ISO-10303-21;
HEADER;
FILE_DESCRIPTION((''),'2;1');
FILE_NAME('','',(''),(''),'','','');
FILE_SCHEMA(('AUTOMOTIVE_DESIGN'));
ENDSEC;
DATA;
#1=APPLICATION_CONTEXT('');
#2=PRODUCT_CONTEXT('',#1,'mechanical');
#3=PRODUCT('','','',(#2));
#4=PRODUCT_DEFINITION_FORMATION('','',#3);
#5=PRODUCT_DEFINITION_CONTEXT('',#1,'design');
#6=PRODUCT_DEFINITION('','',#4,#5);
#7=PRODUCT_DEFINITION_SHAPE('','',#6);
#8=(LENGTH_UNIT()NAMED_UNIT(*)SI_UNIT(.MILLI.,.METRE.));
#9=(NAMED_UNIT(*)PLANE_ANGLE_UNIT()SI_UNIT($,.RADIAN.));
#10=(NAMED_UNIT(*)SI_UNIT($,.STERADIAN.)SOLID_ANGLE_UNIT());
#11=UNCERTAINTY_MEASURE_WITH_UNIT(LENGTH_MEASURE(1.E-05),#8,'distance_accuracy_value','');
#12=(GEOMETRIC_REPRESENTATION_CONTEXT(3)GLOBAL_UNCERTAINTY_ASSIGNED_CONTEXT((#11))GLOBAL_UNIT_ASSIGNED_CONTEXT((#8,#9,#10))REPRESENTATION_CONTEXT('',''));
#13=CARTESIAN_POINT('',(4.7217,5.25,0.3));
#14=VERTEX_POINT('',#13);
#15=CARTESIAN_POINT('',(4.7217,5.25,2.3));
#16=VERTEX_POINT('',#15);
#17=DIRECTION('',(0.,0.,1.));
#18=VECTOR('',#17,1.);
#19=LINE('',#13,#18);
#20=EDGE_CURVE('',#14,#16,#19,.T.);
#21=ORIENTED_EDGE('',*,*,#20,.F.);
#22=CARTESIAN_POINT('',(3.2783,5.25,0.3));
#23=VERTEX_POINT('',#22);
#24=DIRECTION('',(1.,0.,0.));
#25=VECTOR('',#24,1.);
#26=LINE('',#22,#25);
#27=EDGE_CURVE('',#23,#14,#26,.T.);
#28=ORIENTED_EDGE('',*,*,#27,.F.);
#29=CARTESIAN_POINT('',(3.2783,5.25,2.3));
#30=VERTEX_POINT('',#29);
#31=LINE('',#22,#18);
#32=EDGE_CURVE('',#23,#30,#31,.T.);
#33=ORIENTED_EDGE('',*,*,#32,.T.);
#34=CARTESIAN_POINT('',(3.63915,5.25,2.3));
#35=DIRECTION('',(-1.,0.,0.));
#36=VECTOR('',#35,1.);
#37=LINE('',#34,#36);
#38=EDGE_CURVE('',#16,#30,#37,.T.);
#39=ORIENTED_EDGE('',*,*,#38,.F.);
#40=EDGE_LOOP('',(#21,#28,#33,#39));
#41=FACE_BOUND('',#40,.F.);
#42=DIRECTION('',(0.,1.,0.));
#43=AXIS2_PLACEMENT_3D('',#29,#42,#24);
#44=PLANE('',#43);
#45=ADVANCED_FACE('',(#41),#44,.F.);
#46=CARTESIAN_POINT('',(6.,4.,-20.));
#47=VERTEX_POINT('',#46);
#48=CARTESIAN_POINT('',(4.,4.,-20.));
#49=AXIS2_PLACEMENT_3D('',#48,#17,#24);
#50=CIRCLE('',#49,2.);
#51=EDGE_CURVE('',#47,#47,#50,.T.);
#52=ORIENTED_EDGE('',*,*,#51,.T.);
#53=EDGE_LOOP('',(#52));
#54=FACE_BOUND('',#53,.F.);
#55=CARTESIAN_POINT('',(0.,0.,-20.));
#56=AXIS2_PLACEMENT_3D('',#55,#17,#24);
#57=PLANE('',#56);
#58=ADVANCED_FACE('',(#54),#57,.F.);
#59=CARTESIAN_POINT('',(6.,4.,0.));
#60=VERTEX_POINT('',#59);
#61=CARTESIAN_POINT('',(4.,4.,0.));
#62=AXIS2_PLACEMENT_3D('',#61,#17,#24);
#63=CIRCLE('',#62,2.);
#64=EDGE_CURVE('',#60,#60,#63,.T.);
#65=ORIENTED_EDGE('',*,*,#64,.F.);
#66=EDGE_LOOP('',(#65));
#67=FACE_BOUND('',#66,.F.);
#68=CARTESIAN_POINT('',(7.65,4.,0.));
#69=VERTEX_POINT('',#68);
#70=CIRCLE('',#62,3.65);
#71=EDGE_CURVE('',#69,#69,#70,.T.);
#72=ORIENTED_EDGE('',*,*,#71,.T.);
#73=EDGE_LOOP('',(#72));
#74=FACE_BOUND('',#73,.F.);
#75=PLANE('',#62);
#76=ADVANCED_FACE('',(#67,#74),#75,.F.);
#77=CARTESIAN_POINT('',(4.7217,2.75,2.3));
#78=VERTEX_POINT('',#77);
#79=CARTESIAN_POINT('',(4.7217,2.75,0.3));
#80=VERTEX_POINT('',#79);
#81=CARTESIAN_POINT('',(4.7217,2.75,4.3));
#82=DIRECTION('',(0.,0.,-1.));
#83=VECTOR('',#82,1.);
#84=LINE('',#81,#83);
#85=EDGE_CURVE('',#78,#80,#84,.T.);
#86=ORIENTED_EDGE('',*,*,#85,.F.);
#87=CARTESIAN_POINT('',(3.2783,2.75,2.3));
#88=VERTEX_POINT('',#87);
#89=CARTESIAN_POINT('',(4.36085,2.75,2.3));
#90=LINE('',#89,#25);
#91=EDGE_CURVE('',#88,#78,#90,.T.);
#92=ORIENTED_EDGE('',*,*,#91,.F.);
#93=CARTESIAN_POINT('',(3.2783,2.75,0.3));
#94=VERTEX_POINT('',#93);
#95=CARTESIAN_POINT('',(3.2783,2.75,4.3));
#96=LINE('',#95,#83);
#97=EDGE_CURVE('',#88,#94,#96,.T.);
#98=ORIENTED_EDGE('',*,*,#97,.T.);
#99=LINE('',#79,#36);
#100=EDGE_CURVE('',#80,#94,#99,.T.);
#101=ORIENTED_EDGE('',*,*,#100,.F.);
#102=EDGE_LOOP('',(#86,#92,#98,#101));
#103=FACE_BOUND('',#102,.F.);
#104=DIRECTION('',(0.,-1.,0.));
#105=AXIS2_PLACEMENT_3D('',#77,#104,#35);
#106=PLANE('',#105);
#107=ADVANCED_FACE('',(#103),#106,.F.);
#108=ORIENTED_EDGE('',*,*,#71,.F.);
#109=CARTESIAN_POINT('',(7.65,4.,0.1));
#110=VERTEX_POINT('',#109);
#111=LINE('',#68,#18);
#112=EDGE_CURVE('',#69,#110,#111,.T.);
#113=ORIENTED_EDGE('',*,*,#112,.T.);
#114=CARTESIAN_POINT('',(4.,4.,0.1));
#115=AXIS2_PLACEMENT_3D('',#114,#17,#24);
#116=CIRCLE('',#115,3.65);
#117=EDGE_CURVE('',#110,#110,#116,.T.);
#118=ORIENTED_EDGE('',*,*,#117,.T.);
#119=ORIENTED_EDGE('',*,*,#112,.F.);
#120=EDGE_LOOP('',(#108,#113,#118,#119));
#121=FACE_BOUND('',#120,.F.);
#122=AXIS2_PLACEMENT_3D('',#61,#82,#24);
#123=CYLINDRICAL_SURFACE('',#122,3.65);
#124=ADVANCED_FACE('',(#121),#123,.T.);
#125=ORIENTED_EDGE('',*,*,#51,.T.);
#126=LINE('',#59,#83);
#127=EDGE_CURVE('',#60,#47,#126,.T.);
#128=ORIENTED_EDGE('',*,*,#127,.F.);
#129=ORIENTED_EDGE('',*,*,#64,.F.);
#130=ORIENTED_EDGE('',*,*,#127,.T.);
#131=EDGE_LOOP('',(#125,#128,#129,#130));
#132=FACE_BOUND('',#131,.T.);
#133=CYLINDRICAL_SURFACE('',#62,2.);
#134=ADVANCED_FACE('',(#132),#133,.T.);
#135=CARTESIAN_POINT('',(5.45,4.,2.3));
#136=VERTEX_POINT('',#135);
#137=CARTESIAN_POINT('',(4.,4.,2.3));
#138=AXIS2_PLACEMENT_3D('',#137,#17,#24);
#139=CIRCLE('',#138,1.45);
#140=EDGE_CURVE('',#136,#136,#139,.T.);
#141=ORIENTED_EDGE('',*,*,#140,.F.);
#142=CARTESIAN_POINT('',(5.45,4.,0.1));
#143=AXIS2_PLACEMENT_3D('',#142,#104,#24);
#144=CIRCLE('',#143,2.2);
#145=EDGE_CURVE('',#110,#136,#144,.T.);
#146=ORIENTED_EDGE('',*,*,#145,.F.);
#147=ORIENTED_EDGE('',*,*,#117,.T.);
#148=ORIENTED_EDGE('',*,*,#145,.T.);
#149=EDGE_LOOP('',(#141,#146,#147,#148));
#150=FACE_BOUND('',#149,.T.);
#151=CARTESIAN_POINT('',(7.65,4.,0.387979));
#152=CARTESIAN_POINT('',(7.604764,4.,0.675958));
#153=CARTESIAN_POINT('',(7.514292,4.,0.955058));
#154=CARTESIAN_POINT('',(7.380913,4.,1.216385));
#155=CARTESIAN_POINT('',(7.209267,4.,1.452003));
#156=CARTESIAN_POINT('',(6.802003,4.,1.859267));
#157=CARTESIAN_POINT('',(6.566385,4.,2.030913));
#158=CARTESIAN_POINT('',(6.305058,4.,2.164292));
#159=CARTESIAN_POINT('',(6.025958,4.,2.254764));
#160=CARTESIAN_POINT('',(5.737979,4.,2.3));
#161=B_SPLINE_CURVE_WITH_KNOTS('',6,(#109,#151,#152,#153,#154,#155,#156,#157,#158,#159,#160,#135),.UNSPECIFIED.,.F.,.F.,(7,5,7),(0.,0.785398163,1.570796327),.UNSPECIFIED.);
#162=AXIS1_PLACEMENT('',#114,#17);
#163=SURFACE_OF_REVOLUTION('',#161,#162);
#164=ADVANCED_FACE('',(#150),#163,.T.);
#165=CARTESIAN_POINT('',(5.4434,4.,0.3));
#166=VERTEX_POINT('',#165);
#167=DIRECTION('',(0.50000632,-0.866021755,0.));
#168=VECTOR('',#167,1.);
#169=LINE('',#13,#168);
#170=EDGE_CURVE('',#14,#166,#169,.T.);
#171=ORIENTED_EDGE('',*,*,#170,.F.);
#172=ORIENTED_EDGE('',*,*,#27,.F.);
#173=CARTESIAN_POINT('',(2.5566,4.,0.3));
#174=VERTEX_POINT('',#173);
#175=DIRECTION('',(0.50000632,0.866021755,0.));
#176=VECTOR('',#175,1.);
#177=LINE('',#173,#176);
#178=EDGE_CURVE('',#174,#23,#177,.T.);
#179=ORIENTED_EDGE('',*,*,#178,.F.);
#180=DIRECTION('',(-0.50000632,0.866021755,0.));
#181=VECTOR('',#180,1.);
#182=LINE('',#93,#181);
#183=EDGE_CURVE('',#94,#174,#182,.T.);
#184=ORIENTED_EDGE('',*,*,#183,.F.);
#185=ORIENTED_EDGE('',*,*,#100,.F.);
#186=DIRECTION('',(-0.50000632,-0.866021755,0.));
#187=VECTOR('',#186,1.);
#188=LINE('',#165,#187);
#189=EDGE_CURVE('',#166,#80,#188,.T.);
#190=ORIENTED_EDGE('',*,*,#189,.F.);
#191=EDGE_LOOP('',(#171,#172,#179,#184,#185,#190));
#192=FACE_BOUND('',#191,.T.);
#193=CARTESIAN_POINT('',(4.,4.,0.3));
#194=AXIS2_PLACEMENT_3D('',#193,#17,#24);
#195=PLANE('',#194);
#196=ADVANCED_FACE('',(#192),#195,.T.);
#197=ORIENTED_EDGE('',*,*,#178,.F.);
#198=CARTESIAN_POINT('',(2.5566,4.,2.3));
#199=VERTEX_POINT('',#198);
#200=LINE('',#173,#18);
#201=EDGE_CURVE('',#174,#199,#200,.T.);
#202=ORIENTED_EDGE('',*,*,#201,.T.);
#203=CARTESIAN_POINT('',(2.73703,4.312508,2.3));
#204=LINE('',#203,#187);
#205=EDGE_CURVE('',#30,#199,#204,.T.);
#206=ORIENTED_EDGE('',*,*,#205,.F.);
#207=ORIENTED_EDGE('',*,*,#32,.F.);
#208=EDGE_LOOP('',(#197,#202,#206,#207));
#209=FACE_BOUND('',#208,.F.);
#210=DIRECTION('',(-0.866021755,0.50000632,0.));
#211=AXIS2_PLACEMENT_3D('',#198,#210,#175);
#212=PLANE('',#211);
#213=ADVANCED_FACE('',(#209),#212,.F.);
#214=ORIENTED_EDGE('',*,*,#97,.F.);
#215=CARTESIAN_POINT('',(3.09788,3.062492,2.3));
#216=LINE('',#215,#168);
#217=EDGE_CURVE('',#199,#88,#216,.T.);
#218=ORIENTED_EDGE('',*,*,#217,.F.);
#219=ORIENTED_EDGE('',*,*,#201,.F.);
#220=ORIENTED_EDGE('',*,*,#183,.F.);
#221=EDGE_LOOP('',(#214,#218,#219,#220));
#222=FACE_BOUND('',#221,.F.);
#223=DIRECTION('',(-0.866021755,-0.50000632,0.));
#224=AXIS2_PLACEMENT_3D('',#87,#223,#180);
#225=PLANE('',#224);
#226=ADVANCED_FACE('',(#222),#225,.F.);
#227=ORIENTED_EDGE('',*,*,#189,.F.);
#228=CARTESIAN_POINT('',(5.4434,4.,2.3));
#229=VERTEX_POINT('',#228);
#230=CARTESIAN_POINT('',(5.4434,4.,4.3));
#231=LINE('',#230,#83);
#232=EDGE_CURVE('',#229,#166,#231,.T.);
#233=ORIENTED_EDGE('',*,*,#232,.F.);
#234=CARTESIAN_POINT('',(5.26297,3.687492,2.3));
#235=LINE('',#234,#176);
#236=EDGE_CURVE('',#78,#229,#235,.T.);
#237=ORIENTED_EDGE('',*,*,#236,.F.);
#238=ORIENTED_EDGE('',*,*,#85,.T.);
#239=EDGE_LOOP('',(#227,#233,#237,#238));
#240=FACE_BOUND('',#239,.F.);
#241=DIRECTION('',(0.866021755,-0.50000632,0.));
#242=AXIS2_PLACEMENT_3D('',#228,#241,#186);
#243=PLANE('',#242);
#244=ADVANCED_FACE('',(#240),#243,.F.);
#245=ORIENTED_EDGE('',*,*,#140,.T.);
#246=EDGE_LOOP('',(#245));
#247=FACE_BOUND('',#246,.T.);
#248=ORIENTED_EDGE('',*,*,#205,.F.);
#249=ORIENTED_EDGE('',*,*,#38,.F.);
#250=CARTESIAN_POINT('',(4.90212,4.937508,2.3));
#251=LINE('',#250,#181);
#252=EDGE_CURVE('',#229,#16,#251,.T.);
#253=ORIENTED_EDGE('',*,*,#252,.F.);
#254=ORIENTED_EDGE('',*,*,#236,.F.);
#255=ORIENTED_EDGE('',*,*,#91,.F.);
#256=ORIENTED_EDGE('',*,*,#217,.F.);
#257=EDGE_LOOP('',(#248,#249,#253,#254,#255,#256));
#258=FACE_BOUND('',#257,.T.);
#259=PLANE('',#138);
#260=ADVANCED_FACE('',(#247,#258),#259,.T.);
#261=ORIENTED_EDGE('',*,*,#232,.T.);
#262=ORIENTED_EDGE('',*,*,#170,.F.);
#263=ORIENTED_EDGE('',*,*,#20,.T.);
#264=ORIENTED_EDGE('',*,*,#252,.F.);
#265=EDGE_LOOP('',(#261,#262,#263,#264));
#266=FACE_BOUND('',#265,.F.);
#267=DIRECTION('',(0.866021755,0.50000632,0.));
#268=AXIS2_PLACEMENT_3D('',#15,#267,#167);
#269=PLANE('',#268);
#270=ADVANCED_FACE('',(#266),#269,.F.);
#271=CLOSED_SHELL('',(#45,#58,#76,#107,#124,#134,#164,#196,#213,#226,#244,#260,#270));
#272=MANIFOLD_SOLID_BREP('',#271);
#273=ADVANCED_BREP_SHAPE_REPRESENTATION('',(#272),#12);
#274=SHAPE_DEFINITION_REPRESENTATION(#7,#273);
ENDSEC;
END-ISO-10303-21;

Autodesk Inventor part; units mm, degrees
ref_plane "YZ Plane" through (0, 0, 0) normal (1, 0, 0) x (0, 1, 0)
ref_plane "XZ Plane" through (0, 0, 0) normal (0, 1, 0) x (-1, 0, 0)
ref_plane "XY Plane" through (0, 0, 0) normal (0, 0, 1) x (1, 0, 0)
sketch "Sketch1" plane through (0, 0, 0) normal (0, 0, 1) x (1, 0, 0)
  circle A0 centre (4, 4) radius 1.2 projected
  circle A1 centre (4, 4) radius 2
  point P0 (0, 0)
  dimension "d0" = 4
extrude "Extrusion1" add sketch "Sketch1" against normal blind 20 contours A0 | A1
sketch "Sketch2" plane through (4, 4, 0) normal (0, 0, 1) x (1, 0, 0)
  circle A0 centre (0, 0) radius 2 projected
  circle A1 centre (0, 0) radius 3.65
  point P0 (-4, -4)
  dimension "d3" = 7.3
extrude "Extrusion2" add sketch "Sketch2" along normal blind 2.3 contours A0 | A1
fillet "Fillet1" radius 2.2 1 edges at (0.35, 4, 2.3)
sketch "Sketch4" plane through (4, 4, 2.3) normal (0, 0, 1) x (1, 0, 0)
  circle A0 centre (0, 0) radius 1.45 projected
  line L0 (0.7217, 1.25) -> (1.4434, 0)
  line L1 (1.4434, 0) -> (0.7217, -1.25)
  line L2 (0.7217, -1.25) -> (-0.7217, -1.25)
  line L3 (-0.7217, -1.25) -> (-1.4434, 0)
  line L4 (-1.4434, 0) -> (-0.7217, 1.25)
  line L5 (-0.7217, 1.25) -> (0.7217, 1.25)
  point P0 (-4, -4)
  dimension "d10" = 2.5
extrude "Extrusion4" cut sketch "Sketch4" along normal mid plane 4 contours L0 L1 L2 L3 L4 L5
thread "Thread1" size "M3x0.5" class "6g" standard "ANSI Metric M Profile" full length
properties part number "m3 6" material "Steel"
